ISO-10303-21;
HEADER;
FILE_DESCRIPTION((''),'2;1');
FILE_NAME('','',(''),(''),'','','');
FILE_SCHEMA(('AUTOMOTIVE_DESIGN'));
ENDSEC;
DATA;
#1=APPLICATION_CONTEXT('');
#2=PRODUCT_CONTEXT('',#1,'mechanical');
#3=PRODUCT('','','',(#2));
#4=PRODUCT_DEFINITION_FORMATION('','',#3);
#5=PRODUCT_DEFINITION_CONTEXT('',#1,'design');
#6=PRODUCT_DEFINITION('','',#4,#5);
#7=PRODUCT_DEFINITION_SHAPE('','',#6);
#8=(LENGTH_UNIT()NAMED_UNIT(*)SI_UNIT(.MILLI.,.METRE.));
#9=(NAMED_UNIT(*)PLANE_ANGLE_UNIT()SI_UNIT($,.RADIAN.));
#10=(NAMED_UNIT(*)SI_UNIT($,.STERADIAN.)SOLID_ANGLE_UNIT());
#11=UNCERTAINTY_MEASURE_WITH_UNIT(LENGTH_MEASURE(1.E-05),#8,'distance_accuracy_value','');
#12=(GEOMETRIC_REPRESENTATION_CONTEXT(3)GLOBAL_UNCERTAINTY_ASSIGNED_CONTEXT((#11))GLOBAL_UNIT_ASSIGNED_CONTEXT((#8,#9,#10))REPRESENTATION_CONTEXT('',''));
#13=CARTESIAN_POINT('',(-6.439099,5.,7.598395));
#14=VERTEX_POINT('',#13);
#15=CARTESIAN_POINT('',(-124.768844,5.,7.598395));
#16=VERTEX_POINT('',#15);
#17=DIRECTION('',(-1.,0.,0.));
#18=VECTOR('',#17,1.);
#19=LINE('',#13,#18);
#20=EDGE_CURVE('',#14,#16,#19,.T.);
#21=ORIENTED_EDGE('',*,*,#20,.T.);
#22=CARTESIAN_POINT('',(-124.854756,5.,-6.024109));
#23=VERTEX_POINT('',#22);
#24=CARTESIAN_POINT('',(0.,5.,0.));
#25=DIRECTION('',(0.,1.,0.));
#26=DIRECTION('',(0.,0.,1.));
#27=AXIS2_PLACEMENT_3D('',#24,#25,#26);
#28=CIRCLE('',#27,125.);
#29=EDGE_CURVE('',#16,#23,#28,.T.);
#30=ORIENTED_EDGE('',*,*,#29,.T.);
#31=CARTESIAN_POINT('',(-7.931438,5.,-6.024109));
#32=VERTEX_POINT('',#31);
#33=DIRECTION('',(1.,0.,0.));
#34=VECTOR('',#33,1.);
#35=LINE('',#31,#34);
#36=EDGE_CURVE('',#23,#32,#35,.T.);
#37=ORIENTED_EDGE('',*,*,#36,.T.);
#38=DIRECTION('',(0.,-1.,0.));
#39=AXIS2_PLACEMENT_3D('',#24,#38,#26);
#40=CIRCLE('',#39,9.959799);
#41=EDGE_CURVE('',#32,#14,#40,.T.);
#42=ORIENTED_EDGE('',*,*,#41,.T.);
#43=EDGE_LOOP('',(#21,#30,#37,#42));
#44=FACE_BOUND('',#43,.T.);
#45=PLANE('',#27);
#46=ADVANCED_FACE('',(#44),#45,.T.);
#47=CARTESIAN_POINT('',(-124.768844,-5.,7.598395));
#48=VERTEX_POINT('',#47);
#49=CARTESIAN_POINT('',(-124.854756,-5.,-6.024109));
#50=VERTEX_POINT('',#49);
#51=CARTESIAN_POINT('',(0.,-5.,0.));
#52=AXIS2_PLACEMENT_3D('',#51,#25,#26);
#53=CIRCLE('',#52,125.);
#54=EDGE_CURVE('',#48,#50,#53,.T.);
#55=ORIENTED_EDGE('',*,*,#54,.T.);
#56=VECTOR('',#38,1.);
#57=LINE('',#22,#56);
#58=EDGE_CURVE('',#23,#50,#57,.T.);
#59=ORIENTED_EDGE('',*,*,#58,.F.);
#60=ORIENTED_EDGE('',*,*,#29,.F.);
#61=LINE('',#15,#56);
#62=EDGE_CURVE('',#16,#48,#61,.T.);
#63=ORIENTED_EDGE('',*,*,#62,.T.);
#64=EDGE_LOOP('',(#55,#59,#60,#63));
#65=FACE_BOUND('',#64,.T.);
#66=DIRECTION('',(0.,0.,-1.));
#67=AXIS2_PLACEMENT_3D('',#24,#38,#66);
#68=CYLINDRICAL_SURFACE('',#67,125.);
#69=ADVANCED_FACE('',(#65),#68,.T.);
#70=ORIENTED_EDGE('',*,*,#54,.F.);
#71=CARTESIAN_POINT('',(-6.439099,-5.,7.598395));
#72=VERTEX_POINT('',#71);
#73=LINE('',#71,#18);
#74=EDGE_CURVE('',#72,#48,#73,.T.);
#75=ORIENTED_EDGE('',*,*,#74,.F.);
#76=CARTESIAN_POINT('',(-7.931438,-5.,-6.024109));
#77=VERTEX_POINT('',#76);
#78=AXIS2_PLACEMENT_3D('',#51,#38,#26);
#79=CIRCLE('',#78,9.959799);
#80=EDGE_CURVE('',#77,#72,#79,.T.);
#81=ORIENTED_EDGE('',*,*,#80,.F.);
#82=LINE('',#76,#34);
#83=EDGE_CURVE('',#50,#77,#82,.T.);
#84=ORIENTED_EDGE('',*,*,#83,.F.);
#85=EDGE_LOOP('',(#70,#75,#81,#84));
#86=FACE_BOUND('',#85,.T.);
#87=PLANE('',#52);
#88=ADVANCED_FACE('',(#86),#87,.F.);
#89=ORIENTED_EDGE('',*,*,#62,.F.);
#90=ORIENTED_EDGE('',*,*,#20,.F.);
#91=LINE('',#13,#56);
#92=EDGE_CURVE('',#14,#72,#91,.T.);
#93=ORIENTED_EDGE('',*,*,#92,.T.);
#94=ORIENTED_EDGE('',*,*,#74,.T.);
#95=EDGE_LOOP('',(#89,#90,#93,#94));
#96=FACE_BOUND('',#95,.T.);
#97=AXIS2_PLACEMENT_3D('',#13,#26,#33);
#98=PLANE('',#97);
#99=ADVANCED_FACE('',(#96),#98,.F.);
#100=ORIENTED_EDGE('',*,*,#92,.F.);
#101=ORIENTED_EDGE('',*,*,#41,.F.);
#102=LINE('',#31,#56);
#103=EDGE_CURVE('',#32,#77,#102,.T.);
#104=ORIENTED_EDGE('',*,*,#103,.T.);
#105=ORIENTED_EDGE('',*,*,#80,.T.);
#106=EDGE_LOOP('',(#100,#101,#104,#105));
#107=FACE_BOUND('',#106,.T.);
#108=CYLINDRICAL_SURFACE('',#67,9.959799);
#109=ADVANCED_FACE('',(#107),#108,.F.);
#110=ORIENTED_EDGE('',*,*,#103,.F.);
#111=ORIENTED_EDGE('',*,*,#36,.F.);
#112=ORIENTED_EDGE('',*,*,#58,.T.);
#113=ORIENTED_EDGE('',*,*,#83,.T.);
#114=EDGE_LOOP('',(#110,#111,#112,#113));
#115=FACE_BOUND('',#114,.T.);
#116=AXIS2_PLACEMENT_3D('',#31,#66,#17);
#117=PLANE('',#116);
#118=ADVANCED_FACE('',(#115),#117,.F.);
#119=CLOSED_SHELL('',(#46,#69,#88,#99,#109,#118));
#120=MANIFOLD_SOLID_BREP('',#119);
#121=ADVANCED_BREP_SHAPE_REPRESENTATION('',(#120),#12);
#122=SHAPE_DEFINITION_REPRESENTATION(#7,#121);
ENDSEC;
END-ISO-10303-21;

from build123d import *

# Parameters (mm, degrees)
BOSS_EXTRUDE2_DEPTH = 5


with BuildPart() as part:
    # Sketch1 → Boss-Extrude2 (new, symmetric)
    with BuildSketch(Plane(origin=(0, 0, 0), x_dir=(1, 0, 0), z_dir=(0, 1, 0))):
        with BuildLine():
            Line((-6.439098848, -7.598394633), (-124.768843863, -7.598394633))
            ThreePointArc((-124.768843863, -7.598394633), (124.997514219, 0.788314056), (-124.854756061, 6.024108985))
            Line((-124.854756061, 6.024108985), (-7.931437821, 6.024108985))
            ThreePointArc((-7.931437821, 6.024108985), (9.900567269, 1.084602567), (-6.439098848, -7.598394633))
        make_face()
    extrude(amount=BOSS_EXTRUDE2_DEPTH, both=True)


solid = part.part
